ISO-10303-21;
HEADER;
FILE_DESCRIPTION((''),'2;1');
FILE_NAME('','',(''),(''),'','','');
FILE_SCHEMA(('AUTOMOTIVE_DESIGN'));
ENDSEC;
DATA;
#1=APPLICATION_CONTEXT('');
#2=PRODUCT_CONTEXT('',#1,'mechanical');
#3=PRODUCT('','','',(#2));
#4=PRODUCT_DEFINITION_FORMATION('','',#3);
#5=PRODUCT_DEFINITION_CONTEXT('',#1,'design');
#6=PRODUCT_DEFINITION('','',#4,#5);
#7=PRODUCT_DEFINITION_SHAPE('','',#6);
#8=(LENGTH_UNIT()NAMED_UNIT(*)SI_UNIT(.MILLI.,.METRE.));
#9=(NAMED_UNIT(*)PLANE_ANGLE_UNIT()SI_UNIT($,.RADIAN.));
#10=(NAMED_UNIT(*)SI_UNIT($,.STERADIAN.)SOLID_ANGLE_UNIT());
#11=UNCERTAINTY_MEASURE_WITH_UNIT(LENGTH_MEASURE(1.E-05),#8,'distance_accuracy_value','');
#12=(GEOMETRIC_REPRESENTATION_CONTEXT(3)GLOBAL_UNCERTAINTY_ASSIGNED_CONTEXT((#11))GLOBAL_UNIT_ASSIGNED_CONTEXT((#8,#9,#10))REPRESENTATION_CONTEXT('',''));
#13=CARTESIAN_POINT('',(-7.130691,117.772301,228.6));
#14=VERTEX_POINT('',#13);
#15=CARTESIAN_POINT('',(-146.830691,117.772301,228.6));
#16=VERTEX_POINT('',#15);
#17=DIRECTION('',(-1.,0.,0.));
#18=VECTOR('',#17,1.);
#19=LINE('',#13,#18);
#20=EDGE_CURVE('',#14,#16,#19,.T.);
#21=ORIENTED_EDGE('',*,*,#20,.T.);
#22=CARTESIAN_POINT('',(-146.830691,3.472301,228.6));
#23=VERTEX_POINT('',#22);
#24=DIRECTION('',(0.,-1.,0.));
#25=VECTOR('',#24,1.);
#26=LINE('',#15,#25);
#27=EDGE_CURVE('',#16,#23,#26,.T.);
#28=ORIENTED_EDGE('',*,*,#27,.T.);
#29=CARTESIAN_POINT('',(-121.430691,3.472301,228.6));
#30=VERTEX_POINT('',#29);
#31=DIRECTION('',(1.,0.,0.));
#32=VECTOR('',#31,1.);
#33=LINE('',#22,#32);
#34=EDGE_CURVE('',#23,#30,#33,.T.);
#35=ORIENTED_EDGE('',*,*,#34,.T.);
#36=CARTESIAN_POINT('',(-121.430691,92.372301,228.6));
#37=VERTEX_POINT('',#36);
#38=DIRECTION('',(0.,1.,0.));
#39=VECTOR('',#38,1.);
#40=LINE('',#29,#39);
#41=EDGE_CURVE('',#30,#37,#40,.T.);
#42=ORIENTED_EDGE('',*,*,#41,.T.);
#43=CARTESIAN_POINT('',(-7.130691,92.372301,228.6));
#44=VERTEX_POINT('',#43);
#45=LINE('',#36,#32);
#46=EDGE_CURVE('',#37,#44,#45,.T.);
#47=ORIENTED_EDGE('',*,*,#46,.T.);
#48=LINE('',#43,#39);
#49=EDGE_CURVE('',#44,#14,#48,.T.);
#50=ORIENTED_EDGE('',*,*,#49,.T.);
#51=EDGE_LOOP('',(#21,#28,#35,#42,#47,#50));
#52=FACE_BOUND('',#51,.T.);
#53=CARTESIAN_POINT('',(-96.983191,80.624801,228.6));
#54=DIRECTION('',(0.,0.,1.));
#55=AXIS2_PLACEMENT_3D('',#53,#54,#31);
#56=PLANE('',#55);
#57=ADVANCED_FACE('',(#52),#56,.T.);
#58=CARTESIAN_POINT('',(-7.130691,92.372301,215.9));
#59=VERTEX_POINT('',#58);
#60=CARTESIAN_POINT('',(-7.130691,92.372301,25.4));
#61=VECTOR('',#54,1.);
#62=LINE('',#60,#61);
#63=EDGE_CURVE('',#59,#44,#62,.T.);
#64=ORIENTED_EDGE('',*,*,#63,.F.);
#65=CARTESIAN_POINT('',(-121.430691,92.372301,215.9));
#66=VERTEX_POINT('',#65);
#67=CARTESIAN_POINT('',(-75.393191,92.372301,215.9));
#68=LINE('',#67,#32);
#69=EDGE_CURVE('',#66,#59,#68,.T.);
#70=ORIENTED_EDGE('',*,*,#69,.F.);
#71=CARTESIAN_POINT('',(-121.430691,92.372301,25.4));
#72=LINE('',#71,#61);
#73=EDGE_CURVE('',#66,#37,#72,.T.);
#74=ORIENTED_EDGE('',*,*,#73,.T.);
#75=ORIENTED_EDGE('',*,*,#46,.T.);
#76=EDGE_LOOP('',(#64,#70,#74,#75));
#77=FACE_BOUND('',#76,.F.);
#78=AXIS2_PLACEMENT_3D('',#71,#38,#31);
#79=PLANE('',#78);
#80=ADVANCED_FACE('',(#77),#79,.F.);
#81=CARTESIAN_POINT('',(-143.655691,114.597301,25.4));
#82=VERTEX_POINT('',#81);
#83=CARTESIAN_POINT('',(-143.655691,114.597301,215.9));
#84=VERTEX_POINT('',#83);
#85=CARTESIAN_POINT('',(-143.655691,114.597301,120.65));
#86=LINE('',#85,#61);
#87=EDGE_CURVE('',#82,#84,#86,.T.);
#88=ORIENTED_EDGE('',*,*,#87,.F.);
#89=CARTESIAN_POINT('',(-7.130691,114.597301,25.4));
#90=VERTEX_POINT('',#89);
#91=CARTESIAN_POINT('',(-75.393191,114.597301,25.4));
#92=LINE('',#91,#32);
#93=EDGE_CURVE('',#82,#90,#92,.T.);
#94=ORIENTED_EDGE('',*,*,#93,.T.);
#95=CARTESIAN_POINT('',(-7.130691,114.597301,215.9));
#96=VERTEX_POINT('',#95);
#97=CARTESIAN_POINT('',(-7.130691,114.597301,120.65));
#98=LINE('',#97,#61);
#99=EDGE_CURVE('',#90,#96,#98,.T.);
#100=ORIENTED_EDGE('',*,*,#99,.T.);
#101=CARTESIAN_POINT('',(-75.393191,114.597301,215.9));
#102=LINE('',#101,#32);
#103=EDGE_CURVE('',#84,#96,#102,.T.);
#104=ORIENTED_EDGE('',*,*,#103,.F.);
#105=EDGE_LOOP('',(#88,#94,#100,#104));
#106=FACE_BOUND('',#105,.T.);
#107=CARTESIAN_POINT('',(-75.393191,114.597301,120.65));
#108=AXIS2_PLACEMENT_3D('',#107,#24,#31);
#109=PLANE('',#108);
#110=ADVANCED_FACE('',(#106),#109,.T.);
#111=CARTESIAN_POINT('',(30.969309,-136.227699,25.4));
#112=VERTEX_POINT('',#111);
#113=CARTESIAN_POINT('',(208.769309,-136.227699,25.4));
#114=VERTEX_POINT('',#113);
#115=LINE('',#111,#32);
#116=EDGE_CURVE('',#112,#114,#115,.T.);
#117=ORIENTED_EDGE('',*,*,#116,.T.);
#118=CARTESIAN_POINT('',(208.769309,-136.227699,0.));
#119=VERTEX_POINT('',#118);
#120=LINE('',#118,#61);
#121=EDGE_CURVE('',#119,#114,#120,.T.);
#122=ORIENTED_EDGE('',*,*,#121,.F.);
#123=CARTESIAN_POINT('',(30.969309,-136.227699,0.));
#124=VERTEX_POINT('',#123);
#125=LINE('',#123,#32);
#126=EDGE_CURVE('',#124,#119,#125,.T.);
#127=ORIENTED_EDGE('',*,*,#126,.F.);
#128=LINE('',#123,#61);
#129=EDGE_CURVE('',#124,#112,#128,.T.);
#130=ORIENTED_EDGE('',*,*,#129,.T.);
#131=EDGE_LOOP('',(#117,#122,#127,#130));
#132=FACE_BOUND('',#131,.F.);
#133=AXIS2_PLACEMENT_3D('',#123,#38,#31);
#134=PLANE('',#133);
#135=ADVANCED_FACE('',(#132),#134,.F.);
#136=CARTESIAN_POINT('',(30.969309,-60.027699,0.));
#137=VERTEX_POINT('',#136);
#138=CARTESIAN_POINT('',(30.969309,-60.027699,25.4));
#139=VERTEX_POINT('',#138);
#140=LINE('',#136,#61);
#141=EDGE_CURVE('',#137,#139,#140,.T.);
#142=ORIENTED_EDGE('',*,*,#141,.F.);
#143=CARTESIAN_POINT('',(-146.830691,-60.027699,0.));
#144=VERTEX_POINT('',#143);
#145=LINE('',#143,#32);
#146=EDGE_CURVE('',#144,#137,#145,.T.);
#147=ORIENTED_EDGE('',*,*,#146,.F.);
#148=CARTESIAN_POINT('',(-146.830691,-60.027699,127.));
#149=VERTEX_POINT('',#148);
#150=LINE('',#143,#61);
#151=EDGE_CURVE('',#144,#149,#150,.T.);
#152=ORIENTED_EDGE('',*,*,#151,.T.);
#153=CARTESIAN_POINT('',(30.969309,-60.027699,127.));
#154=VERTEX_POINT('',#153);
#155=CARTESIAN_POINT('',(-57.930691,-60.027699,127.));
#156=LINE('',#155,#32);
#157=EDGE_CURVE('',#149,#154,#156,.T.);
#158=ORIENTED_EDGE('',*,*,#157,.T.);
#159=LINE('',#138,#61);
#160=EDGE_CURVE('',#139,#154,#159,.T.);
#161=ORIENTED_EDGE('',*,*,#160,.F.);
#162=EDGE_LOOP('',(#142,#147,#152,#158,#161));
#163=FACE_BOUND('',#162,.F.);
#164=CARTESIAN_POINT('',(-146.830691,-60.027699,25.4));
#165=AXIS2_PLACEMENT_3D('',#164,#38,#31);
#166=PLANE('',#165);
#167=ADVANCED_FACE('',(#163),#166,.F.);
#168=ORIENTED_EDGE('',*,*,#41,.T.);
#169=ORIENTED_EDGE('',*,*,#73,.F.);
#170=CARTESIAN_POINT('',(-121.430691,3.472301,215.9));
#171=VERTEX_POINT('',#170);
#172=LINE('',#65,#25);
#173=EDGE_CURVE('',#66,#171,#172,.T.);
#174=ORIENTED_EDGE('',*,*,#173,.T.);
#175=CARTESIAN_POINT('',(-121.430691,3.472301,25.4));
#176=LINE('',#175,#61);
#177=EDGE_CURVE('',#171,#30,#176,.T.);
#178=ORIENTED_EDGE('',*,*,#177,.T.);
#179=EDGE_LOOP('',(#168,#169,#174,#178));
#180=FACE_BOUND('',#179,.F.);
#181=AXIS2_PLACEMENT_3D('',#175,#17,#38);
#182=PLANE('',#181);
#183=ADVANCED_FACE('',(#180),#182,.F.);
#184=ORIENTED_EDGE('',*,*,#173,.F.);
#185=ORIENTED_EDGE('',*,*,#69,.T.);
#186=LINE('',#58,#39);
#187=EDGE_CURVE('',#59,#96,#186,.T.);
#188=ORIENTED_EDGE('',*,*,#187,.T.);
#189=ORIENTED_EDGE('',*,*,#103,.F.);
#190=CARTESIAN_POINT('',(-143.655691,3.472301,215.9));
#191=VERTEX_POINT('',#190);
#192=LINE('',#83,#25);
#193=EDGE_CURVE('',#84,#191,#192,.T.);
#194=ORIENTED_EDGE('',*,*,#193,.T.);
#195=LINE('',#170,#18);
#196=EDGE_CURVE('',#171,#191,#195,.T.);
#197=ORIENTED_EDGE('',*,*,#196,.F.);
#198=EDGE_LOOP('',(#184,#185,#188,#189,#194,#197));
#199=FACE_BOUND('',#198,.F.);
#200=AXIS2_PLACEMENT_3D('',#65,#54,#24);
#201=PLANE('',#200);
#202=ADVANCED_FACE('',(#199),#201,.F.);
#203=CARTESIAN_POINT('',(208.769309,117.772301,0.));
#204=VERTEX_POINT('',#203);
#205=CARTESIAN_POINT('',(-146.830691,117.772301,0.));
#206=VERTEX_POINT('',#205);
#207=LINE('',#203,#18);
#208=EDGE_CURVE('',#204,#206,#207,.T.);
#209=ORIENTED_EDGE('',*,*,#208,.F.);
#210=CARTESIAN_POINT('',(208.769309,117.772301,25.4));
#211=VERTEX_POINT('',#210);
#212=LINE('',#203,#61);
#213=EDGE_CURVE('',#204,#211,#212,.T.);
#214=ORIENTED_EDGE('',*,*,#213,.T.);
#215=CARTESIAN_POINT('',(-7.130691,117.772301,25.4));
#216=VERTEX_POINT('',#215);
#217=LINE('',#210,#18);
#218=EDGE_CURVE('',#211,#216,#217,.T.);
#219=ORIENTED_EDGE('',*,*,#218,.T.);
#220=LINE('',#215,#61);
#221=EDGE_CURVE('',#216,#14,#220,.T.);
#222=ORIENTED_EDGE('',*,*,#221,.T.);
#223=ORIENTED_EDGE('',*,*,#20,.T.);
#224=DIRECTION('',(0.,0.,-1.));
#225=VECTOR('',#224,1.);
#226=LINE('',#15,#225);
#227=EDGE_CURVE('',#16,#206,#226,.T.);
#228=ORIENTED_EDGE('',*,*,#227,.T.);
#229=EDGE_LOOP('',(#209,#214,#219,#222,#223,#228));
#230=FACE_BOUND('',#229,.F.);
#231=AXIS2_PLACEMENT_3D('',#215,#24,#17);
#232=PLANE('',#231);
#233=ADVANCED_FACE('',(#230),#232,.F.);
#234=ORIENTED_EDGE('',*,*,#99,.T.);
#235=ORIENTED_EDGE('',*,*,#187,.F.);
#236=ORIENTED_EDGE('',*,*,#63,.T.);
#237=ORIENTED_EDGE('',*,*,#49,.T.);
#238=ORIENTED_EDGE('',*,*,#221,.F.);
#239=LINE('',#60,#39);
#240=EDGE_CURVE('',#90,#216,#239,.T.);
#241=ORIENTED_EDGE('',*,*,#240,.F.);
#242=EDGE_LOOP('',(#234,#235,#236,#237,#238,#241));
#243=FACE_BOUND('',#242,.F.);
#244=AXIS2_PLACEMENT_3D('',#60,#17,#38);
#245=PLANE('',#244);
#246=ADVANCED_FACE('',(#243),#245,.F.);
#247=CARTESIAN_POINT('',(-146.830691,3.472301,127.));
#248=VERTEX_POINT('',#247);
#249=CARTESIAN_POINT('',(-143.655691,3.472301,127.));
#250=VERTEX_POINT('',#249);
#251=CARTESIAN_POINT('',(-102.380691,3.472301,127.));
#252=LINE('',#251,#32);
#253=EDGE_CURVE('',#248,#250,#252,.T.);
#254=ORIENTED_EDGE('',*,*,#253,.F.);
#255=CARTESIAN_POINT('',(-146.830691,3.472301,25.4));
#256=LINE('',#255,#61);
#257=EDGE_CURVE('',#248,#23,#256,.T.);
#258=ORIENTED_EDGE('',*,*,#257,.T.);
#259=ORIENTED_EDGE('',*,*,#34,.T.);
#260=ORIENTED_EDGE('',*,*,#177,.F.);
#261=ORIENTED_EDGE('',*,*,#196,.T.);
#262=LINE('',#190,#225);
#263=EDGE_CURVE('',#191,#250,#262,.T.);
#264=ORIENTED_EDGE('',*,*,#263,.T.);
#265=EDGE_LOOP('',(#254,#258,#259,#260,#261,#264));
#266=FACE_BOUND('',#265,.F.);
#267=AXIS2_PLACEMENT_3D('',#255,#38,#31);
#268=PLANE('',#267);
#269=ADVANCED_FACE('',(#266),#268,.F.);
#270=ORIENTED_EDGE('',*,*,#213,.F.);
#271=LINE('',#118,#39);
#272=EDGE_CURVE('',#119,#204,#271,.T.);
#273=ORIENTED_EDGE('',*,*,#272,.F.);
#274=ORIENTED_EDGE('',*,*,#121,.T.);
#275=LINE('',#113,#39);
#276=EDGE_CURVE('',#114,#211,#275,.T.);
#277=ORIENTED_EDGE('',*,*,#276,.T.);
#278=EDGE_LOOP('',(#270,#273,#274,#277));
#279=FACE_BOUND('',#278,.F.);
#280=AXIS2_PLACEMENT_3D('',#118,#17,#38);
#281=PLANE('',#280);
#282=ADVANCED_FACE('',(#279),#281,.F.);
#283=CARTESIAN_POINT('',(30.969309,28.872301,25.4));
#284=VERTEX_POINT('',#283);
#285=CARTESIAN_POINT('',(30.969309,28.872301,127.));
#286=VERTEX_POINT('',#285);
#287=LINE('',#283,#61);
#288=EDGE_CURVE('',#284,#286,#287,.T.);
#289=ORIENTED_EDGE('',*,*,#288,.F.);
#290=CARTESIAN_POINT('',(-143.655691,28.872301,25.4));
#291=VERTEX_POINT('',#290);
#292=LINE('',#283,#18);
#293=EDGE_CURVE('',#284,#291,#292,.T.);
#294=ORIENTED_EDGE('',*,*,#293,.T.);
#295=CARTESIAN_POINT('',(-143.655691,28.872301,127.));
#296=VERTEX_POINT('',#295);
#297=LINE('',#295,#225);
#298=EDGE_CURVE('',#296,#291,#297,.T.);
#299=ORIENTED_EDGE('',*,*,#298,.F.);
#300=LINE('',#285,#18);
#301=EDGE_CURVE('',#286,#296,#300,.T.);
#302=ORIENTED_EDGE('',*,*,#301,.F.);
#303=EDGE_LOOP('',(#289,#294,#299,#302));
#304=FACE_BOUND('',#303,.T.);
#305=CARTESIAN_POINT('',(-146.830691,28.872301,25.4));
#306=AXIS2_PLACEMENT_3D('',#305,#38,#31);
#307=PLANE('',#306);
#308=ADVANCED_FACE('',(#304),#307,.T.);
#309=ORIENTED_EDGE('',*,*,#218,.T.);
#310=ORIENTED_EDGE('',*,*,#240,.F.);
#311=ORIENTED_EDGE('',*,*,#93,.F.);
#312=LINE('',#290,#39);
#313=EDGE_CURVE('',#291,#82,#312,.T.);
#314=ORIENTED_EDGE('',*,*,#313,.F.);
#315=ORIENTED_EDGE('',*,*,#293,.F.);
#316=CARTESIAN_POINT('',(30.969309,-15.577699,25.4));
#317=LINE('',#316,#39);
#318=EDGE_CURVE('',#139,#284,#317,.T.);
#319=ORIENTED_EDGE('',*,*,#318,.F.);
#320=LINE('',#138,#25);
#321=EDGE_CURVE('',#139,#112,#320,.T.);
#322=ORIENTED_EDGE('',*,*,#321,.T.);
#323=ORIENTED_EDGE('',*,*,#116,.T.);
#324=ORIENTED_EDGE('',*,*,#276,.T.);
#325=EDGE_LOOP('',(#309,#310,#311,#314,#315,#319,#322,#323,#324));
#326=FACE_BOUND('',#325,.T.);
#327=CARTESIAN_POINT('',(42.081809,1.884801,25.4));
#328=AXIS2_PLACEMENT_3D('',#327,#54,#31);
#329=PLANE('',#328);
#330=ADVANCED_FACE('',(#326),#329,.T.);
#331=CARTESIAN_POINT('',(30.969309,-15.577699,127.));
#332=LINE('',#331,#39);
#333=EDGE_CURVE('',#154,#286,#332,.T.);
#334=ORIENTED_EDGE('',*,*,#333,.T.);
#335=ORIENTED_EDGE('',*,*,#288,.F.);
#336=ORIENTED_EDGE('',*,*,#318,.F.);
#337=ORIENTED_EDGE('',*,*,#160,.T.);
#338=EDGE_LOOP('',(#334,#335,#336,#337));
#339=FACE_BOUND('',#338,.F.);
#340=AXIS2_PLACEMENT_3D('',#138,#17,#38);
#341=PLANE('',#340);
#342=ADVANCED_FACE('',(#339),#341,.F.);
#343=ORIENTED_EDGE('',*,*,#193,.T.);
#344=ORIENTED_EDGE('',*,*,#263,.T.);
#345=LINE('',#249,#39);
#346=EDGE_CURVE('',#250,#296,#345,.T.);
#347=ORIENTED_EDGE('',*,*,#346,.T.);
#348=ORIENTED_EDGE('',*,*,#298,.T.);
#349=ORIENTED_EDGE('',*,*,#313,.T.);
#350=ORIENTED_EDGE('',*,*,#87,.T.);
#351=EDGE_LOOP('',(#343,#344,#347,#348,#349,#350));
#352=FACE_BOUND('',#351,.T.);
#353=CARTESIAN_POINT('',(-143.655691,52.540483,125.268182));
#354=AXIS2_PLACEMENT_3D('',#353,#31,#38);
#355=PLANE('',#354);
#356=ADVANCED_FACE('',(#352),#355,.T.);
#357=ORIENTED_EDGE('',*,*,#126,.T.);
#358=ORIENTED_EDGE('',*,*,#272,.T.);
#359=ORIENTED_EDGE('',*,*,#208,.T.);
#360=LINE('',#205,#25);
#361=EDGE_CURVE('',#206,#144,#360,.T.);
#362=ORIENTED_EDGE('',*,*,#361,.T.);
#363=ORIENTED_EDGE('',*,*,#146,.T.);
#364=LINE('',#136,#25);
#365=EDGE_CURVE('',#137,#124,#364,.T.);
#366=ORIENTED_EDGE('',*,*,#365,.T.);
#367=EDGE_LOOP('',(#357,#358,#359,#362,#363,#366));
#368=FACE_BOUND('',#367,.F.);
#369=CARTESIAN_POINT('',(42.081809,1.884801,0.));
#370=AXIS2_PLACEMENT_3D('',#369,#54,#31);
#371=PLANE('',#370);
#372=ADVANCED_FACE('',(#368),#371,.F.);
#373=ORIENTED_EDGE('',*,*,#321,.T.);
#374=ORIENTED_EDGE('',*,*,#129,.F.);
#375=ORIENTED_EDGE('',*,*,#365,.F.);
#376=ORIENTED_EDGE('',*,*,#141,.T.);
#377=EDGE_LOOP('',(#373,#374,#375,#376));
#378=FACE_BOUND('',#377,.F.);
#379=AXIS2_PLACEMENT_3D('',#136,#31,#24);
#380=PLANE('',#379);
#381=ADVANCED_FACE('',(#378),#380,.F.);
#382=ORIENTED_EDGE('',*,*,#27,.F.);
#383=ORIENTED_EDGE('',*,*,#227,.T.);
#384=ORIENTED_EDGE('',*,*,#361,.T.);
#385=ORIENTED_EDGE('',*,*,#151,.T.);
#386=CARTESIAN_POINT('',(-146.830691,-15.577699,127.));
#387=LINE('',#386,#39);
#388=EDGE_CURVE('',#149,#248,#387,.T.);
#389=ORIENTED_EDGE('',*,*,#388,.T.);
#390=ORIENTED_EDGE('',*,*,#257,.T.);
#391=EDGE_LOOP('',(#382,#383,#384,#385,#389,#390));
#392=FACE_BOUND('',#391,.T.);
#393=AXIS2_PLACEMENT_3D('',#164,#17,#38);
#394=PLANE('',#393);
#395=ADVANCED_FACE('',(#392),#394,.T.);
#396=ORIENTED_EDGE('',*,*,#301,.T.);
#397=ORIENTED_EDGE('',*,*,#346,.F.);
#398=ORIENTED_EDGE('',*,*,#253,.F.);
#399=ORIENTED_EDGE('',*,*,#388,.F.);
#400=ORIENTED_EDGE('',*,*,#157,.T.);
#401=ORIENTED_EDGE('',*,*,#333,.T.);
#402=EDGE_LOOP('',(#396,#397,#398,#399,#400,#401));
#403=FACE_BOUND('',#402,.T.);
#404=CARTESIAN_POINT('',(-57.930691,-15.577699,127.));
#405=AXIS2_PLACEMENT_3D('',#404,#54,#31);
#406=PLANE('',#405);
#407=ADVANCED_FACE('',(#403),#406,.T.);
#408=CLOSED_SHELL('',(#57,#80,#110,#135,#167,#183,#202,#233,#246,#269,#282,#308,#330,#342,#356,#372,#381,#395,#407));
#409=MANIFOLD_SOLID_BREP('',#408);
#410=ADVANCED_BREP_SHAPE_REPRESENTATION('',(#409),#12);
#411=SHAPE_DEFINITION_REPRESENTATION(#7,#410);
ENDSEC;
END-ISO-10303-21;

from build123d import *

# Parameters (mm, degrees)
F1_DEPTH = 25.4
F3_DEPTH = 203.2
F4_W     = 177.8
F4_H     = 88.9
F5_DEPTH = 101.6
F7_DEPTH = 22.225
F8_W     = 136.525
F8_H     = 190.5
F9_DEPTH = 22.225


with BuildPart() as f1:
    # F0 (on Top) → F1 (new body)
    with BuildSketch(Plane.XY):
        Polygon((30.969309, -60.027699), (30.969309, -136.227699), (208.769309, -136.227699), (208.769309, 117.772301), (-146.830691, 117.772301), (-146.830691, -60.027699), align=None)
    extrude(amount=F1_DEPTH)

    # F2 (on face) → F3 (join)
    with BuildSketch(Plane.XY.offset(25.4)):
        Polygon((-146.830691, 117.772301), (-146.830691, 3.472301), (-121.430691, 3.472301), (-121.430691, 92.372301), (-7.130691, 92.372301), (-7.130691, 117.772301), (-121.430691, 117.772301), align=None)
    extrude(amount=F3_DEPTH)

    # F4 (on face) → F5 (join)
    with BuildSketch(Plane.XY.offset(25.4)):
        with Locations((-57.930691, -15.577699)):
            Rectangle(F4_W, F4_H)
    extrude(amount=F5_DEPTH)

    # F6 (on face) → F7 (cut)
    with BuildSketch(Plane.YZ.offset(-121.430691)):
        Polygon((92.372301, 215.9), (3.472301, 215.9), (3.472301, 127), (28.872301, 127), (28.872301, 25.4), (92.372301, 25.4), (92.372301, 127), align=None)
    extrude(amount=-F7_DEPTH, mode=Mode.SUBTRACT)

    # F8 (on face) → F9 (cut)
    with BuildSketch(Plane.XZ.offset(-92.372301)):
        with Locations((-75.393191, 120.65)):
            Rectangle(F8_W, F8_H)
    extrude(amount=-F9_DEPTH, mode=Mode.SUBTRACT)


solid = f1.part
